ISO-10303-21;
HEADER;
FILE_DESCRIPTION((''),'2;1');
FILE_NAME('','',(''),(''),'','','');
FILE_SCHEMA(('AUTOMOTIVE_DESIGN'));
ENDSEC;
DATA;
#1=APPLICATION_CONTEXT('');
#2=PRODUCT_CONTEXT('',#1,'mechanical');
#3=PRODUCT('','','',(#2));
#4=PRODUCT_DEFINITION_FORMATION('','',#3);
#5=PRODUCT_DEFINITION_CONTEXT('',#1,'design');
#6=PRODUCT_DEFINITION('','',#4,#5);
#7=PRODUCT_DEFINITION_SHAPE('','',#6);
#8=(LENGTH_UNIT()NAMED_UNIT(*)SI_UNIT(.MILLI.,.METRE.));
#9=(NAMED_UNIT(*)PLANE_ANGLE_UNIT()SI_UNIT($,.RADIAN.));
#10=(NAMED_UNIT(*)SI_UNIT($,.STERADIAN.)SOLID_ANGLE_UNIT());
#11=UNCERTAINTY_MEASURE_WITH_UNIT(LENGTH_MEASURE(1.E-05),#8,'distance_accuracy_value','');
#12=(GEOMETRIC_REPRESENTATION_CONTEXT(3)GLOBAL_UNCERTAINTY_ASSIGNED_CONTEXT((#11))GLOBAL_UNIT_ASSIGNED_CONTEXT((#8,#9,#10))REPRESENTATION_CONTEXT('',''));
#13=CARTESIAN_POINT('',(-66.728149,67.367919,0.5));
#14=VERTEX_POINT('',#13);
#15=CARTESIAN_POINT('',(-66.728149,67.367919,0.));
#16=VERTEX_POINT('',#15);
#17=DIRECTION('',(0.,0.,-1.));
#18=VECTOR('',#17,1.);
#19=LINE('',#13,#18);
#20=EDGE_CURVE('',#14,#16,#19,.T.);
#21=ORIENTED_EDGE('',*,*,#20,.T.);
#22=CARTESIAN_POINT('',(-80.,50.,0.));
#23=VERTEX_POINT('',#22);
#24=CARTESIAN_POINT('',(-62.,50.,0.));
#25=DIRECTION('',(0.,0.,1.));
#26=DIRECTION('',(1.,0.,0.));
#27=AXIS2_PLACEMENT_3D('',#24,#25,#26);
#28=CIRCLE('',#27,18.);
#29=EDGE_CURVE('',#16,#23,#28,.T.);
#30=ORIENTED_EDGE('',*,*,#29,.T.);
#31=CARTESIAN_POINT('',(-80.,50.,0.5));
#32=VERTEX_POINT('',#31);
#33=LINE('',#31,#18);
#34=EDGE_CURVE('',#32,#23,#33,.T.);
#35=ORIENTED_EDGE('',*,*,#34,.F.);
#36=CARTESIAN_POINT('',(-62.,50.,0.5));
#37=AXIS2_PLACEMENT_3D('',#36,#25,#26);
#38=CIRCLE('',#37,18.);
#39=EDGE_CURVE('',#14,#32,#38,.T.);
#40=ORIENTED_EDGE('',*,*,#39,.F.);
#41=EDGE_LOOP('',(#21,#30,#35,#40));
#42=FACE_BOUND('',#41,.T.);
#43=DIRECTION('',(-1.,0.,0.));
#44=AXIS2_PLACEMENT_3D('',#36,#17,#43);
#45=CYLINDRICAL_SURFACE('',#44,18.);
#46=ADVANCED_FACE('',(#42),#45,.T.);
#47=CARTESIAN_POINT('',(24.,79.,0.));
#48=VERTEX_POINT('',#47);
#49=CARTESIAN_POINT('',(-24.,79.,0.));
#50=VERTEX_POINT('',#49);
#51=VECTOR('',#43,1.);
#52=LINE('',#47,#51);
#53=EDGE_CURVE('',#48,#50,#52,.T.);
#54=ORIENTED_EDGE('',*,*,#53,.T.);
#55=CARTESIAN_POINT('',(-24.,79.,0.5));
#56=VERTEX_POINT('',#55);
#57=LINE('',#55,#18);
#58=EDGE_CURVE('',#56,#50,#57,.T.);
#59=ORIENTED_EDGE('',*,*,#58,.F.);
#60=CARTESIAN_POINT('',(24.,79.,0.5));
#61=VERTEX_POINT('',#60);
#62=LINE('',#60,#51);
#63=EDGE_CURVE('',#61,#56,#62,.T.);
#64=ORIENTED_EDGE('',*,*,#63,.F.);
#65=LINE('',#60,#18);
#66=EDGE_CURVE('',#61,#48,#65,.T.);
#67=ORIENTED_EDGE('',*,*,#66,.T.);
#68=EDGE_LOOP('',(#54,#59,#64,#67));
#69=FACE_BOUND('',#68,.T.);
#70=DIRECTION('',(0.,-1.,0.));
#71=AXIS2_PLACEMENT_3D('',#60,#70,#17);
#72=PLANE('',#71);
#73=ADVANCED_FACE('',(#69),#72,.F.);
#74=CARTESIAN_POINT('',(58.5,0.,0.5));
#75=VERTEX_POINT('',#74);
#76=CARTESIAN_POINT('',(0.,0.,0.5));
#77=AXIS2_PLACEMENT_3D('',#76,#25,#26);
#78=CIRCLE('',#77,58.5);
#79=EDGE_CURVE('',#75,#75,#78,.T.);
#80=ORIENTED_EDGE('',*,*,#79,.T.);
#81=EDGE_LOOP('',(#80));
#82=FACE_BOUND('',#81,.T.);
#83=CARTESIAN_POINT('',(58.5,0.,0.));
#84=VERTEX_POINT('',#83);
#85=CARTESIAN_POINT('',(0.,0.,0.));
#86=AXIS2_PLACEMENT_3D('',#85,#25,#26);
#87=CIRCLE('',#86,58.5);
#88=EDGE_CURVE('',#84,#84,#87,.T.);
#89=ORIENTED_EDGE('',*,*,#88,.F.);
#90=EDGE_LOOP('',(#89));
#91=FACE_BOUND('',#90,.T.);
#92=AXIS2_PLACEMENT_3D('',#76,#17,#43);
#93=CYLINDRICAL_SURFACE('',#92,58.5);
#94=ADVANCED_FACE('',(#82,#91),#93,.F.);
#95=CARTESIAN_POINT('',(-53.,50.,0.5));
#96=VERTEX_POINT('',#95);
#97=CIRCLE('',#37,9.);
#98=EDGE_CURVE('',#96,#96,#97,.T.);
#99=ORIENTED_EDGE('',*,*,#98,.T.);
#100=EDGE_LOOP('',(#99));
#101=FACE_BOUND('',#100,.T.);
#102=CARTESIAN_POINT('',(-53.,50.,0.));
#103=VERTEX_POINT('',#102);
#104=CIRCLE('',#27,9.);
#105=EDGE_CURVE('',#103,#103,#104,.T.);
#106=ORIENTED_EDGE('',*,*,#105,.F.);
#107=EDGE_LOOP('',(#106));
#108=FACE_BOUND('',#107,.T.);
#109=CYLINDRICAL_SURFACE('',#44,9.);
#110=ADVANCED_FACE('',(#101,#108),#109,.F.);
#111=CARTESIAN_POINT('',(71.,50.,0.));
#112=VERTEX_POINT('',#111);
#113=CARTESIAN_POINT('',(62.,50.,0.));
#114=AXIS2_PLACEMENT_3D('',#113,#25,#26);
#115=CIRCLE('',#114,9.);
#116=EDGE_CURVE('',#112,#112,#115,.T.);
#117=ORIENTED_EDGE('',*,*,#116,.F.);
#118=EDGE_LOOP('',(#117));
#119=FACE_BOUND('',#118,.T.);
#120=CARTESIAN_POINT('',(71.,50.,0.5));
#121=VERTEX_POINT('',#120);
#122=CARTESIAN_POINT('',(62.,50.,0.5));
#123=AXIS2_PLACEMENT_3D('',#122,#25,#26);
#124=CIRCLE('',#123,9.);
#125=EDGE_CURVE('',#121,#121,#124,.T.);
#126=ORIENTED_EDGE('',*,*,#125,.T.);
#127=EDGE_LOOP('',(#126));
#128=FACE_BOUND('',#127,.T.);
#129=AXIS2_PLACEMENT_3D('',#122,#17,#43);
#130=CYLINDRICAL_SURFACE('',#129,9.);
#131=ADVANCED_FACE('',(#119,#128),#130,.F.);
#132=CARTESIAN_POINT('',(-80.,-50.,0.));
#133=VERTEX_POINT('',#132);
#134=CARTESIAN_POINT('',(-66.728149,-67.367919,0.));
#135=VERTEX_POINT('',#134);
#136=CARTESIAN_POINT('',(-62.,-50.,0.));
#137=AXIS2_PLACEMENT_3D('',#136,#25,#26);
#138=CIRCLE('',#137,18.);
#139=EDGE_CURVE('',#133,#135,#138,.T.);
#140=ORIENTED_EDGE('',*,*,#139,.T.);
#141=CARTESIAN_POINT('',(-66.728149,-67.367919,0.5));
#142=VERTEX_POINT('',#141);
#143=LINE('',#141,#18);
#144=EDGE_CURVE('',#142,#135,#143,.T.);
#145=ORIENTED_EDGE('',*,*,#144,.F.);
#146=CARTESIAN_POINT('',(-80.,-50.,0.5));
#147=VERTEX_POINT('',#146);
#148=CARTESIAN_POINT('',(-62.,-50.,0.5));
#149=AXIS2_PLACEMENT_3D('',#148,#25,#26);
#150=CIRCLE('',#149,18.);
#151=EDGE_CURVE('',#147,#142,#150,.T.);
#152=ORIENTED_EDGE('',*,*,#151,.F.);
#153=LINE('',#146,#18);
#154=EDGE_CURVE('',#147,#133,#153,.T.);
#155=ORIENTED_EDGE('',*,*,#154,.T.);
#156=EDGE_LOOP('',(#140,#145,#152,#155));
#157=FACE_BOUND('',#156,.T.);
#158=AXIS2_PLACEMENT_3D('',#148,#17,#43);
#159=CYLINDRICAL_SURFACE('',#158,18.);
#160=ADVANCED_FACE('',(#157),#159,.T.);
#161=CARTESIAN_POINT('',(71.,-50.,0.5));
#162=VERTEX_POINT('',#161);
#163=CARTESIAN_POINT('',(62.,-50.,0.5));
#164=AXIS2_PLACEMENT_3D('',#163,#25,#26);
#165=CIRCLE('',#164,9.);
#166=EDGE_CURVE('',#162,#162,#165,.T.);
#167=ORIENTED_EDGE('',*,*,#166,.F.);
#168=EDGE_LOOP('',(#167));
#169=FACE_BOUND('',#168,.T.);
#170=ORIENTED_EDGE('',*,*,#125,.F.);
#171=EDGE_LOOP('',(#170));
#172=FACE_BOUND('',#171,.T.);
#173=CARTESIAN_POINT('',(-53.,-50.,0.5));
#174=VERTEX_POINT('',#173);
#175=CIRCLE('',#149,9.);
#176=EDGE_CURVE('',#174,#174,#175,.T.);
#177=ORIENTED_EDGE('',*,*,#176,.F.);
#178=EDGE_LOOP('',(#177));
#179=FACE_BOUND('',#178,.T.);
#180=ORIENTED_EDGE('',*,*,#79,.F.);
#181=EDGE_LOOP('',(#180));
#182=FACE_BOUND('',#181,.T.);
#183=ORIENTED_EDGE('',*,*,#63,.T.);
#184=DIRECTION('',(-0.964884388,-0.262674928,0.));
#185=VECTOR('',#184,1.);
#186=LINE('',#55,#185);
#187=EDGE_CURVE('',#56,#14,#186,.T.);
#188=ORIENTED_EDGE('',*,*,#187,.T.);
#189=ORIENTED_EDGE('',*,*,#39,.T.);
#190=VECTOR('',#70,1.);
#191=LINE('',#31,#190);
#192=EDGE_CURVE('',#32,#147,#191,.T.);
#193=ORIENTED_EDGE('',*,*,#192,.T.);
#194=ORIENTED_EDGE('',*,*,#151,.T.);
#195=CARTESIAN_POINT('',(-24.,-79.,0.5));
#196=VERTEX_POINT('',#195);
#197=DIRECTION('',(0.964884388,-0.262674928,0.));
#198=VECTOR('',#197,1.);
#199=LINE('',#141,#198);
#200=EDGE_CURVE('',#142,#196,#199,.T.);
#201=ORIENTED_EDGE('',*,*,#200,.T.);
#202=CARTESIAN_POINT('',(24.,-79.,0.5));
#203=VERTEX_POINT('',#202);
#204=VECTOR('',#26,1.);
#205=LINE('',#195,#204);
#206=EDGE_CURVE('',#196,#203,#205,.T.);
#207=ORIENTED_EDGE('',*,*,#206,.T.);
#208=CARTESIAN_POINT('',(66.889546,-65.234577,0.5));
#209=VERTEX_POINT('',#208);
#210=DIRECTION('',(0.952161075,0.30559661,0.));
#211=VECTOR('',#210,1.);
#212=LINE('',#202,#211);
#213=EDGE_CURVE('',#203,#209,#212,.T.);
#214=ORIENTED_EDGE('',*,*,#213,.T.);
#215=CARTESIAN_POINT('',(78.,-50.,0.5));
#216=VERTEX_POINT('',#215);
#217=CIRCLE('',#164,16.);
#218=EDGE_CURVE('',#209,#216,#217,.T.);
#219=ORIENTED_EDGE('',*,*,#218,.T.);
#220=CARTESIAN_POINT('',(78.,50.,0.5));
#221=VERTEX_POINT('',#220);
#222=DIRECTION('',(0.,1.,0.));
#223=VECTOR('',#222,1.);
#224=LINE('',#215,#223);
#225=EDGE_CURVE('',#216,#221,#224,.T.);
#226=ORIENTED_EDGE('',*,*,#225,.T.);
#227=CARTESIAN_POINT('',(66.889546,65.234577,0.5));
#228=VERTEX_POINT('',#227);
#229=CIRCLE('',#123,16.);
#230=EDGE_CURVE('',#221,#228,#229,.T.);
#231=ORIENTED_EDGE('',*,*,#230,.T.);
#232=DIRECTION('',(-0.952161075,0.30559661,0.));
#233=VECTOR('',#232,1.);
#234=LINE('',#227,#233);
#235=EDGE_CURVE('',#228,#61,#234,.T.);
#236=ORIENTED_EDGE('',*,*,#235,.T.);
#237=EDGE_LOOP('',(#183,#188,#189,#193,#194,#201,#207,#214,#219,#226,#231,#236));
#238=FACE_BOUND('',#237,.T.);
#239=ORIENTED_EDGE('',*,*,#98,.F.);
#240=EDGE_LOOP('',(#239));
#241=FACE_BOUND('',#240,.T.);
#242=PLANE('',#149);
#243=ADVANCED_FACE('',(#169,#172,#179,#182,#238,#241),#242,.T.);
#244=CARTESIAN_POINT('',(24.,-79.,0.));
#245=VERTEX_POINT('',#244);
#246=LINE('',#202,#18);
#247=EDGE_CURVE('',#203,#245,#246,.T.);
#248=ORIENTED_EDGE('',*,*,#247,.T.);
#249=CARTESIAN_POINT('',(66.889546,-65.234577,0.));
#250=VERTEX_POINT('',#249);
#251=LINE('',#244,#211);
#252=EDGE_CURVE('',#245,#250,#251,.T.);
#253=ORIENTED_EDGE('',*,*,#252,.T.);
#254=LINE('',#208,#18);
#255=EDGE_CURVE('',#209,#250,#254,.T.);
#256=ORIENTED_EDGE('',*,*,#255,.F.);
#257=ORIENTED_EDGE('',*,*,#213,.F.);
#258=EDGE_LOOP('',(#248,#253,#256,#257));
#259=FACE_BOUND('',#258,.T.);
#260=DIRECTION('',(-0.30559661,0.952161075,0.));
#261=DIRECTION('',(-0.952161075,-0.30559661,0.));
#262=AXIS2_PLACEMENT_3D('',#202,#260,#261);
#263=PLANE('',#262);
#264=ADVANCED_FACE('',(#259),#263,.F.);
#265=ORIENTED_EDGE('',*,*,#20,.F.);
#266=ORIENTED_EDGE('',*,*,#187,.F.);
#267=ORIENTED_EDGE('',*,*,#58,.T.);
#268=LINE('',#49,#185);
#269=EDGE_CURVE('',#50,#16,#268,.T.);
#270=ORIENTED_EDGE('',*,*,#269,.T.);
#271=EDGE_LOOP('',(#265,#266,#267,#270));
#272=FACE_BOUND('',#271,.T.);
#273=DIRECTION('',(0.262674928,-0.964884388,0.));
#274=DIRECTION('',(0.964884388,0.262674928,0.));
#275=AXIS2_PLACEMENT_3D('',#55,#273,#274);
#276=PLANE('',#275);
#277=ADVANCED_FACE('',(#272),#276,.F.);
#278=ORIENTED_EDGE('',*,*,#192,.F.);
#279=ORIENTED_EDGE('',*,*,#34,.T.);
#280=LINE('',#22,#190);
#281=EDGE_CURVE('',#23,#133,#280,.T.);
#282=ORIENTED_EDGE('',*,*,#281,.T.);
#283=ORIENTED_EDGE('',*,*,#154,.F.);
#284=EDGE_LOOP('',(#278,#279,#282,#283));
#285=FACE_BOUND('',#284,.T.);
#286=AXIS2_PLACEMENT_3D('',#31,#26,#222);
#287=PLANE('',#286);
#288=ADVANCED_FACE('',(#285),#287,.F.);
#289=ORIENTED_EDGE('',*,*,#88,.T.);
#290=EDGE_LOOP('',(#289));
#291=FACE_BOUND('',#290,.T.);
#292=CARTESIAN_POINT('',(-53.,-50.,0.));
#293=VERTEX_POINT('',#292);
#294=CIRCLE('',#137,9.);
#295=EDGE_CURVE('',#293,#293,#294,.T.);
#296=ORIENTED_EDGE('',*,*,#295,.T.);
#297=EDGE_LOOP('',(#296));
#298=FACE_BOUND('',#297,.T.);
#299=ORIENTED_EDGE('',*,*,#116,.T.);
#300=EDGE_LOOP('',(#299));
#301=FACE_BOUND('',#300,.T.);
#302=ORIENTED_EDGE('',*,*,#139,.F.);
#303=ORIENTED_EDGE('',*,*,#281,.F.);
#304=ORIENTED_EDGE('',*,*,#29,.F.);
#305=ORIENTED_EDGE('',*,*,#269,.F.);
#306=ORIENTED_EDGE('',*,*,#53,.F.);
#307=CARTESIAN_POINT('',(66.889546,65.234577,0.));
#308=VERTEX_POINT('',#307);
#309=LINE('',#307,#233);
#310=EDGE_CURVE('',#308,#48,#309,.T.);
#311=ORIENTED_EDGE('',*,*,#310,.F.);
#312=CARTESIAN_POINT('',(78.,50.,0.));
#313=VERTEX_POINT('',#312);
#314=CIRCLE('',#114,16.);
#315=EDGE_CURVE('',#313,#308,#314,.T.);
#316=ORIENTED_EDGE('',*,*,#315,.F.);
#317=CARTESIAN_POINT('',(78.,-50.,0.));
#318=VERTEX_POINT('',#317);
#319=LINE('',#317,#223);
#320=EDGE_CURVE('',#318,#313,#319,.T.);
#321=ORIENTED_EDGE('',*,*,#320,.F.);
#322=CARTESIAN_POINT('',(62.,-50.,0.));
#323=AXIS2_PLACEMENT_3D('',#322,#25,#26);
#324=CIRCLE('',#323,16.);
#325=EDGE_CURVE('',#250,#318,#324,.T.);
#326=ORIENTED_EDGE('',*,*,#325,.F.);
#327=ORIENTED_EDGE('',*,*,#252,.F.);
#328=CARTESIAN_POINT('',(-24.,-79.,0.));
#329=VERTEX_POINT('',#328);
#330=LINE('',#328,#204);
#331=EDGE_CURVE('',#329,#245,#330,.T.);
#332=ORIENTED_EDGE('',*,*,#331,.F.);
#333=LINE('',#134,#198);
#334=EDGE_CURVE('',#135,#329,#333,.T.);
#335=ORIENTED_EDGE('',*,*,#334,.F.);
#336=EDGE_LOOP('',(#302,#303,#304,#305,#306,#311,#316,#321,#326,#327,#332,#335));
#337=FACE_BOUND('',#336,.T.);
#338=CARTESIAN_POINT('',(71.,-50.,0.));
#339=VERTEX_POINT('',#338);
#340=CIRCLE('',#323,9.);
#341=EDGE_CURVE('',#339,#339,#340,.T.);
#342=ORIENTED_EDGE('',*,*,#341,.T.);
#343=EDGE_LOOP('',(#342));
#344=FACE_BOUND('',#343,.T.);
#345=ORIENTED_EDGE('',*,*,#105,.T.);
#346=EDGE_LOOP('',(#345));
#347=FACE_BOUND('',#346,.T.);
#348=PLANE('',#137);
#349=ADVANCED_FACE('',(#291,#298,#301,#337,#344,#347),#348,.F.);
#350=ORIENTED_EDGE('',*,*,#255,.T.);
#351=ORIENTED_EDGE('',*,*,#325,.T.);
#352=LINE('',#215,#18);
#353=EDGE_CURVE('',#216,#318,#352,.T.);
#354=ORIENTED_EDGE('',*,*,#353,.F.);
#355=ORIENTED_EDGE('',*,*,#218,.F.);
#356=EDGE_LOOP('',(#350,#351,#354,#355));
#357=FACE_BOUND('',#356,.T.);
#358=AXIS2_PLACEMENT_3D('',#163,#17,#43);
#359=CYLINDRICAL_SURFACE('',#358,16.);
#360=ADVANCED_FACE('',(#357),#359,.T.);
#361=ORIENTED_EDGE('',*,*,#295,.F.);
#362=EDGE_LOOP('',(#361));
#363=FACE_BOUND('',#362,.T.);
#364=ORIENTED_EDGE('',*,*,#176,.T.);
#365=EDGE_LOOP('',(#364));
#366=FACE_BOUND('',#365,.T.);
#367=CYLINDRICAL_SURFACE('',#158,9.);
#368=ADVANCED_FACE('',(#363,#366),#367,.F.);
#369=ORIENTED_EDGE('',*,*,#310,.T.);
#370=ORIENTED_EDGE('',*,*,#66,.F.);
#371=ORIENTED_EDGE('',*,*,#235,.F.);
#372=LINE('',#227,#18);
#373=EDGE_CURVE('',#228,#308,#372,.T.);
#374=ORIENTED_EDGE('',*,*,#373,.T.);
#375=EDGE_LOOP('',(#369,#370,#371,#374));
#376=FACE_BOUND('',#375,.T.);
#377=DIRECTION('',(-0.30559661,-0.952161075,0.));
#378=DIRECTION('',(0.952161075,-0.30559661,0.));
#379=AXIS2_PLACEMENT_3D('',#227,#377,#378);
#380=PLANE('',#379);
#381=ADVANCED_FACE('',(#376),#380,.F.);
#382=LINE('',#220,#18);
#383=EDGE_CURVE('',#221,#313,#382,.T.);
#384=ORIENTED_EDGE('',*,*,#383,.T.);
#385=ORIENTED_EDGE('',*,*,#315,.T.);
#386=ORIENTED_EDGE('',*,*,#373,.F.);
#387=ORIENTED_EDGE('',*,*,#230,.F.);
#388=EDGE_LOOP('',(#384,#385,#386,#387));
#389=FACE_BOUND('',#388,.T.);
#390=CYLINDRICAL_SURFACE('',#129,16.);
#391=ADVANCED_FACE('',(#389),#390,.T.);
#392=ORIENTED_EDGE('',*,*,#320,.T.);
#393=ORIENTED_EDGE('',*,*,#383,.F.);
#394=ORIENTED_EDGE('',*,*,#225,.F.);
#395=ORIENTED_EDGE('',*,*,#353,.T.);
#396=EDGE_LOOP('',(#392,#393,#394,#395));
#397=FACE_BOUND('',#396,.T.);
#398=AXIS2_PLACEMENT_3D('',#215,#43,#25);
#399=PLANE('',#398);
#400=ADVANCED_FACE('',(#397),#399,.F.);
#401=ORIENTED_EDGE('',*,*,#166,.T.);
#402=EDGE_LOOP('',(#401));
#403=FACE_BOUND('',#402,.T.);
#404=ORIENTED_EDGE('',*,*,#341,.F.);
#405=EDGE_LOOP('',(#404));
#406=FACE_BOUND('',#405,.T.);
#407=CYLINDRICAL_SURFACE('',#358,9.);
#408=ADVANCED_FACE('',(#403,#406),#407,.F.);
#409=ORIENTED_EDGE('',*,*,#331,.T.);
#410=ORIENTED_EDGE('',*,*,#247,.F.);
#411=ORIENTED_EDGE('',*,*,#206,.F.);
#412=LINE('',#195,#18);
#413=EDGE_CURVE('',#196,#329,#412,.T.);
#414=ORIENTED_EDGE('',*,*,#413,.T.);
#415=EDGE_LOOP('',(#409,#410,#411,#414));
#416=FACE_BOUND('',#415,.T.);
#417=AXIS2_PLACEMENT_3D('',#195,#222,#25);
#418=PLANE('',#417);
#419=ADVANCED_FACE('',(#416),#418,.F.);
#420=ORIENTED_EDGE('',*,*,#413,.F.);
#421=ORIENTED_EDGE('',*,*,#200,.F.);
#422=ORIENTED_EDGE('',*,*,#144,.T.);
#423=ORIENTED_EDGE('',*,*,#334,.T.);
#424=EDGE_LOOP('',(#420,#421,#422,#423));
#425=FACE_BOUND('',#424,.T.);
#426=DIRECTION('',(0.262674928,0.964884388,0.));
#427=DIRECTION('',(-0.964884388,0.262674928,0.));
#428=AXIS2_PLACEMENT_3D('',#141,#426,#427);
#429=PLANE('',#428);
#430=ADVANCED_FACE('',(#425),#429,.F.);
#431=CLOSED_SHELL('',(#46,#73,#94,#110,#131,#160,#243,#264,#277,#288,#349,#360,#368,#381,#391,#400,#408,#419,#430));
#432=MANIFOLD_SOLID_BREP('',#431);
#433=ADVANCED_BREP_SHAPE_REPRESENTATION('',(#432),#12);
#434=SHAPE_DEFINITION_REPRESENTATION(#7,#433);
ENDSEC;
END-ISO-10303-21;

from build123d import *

# Parameters (mm, degrees)
SKETCH1_R      = 58.5
SKETCH1_R_2    = 9
EXTRUDE1_DEPTH = 0.5


with BuildPart() as part:
    # Sketch1 → Extrude1 (new body)
    with BuildSketch(Plane.XY):
        with BuildLine():
            Line((-66.728148699, -67.367918985), (-24, -79))
            Line((-24, -79), (24, -79))
            Line((24, -79), (66.889545754, -65.234577195))
            ThreePointArc((66.889545754, -65.234577195), (74.927349536, -59.427811727), (78, -50))
            Line((78, -50), (78, 50))
            ThreePointArc((78, 50), (74.927349536, 59.427811727), (66.889545754, 65.234577195))
            Line((66.889545754, 65.234577195), (24, 79))
            Line((24, 79), (-24, 79))
            Line((-24, 79), (-66.728148699, 67.367918985))
            ThreePointArc((-66.728148699, 67.367918985), (-76.302214454, 60.929165645), (-80, 50))
            Line((-80, 50), (-80, -50))
            ThreePointArc((-80, -50), (-76.302214454, -60.929165645), (-66.728148699, -67.367918985))
        make_face()
        Circle(SKETCH1_R, mode=Mode.SUBTRACT)
        with Locations((62, -50)):
            Circle(SKETCH1_R_2, mode=Mode.SUBTRACT)
        with Locations((-62, -50)):
            Circle(SKETCH1_R_2, mode=Mode.SUBTRACT)
        with Locations((62, 50)):
            Circle(SKETCH1_R_2, mode=Mode.SUBTRACT)
        with Locations((-62, 50)):
            Circle(SKETCH1_R_2, mode=Mode.SUBTRACT)
    extrude(amount=EXTRUDE1_DEPTH)


solid = part.part
